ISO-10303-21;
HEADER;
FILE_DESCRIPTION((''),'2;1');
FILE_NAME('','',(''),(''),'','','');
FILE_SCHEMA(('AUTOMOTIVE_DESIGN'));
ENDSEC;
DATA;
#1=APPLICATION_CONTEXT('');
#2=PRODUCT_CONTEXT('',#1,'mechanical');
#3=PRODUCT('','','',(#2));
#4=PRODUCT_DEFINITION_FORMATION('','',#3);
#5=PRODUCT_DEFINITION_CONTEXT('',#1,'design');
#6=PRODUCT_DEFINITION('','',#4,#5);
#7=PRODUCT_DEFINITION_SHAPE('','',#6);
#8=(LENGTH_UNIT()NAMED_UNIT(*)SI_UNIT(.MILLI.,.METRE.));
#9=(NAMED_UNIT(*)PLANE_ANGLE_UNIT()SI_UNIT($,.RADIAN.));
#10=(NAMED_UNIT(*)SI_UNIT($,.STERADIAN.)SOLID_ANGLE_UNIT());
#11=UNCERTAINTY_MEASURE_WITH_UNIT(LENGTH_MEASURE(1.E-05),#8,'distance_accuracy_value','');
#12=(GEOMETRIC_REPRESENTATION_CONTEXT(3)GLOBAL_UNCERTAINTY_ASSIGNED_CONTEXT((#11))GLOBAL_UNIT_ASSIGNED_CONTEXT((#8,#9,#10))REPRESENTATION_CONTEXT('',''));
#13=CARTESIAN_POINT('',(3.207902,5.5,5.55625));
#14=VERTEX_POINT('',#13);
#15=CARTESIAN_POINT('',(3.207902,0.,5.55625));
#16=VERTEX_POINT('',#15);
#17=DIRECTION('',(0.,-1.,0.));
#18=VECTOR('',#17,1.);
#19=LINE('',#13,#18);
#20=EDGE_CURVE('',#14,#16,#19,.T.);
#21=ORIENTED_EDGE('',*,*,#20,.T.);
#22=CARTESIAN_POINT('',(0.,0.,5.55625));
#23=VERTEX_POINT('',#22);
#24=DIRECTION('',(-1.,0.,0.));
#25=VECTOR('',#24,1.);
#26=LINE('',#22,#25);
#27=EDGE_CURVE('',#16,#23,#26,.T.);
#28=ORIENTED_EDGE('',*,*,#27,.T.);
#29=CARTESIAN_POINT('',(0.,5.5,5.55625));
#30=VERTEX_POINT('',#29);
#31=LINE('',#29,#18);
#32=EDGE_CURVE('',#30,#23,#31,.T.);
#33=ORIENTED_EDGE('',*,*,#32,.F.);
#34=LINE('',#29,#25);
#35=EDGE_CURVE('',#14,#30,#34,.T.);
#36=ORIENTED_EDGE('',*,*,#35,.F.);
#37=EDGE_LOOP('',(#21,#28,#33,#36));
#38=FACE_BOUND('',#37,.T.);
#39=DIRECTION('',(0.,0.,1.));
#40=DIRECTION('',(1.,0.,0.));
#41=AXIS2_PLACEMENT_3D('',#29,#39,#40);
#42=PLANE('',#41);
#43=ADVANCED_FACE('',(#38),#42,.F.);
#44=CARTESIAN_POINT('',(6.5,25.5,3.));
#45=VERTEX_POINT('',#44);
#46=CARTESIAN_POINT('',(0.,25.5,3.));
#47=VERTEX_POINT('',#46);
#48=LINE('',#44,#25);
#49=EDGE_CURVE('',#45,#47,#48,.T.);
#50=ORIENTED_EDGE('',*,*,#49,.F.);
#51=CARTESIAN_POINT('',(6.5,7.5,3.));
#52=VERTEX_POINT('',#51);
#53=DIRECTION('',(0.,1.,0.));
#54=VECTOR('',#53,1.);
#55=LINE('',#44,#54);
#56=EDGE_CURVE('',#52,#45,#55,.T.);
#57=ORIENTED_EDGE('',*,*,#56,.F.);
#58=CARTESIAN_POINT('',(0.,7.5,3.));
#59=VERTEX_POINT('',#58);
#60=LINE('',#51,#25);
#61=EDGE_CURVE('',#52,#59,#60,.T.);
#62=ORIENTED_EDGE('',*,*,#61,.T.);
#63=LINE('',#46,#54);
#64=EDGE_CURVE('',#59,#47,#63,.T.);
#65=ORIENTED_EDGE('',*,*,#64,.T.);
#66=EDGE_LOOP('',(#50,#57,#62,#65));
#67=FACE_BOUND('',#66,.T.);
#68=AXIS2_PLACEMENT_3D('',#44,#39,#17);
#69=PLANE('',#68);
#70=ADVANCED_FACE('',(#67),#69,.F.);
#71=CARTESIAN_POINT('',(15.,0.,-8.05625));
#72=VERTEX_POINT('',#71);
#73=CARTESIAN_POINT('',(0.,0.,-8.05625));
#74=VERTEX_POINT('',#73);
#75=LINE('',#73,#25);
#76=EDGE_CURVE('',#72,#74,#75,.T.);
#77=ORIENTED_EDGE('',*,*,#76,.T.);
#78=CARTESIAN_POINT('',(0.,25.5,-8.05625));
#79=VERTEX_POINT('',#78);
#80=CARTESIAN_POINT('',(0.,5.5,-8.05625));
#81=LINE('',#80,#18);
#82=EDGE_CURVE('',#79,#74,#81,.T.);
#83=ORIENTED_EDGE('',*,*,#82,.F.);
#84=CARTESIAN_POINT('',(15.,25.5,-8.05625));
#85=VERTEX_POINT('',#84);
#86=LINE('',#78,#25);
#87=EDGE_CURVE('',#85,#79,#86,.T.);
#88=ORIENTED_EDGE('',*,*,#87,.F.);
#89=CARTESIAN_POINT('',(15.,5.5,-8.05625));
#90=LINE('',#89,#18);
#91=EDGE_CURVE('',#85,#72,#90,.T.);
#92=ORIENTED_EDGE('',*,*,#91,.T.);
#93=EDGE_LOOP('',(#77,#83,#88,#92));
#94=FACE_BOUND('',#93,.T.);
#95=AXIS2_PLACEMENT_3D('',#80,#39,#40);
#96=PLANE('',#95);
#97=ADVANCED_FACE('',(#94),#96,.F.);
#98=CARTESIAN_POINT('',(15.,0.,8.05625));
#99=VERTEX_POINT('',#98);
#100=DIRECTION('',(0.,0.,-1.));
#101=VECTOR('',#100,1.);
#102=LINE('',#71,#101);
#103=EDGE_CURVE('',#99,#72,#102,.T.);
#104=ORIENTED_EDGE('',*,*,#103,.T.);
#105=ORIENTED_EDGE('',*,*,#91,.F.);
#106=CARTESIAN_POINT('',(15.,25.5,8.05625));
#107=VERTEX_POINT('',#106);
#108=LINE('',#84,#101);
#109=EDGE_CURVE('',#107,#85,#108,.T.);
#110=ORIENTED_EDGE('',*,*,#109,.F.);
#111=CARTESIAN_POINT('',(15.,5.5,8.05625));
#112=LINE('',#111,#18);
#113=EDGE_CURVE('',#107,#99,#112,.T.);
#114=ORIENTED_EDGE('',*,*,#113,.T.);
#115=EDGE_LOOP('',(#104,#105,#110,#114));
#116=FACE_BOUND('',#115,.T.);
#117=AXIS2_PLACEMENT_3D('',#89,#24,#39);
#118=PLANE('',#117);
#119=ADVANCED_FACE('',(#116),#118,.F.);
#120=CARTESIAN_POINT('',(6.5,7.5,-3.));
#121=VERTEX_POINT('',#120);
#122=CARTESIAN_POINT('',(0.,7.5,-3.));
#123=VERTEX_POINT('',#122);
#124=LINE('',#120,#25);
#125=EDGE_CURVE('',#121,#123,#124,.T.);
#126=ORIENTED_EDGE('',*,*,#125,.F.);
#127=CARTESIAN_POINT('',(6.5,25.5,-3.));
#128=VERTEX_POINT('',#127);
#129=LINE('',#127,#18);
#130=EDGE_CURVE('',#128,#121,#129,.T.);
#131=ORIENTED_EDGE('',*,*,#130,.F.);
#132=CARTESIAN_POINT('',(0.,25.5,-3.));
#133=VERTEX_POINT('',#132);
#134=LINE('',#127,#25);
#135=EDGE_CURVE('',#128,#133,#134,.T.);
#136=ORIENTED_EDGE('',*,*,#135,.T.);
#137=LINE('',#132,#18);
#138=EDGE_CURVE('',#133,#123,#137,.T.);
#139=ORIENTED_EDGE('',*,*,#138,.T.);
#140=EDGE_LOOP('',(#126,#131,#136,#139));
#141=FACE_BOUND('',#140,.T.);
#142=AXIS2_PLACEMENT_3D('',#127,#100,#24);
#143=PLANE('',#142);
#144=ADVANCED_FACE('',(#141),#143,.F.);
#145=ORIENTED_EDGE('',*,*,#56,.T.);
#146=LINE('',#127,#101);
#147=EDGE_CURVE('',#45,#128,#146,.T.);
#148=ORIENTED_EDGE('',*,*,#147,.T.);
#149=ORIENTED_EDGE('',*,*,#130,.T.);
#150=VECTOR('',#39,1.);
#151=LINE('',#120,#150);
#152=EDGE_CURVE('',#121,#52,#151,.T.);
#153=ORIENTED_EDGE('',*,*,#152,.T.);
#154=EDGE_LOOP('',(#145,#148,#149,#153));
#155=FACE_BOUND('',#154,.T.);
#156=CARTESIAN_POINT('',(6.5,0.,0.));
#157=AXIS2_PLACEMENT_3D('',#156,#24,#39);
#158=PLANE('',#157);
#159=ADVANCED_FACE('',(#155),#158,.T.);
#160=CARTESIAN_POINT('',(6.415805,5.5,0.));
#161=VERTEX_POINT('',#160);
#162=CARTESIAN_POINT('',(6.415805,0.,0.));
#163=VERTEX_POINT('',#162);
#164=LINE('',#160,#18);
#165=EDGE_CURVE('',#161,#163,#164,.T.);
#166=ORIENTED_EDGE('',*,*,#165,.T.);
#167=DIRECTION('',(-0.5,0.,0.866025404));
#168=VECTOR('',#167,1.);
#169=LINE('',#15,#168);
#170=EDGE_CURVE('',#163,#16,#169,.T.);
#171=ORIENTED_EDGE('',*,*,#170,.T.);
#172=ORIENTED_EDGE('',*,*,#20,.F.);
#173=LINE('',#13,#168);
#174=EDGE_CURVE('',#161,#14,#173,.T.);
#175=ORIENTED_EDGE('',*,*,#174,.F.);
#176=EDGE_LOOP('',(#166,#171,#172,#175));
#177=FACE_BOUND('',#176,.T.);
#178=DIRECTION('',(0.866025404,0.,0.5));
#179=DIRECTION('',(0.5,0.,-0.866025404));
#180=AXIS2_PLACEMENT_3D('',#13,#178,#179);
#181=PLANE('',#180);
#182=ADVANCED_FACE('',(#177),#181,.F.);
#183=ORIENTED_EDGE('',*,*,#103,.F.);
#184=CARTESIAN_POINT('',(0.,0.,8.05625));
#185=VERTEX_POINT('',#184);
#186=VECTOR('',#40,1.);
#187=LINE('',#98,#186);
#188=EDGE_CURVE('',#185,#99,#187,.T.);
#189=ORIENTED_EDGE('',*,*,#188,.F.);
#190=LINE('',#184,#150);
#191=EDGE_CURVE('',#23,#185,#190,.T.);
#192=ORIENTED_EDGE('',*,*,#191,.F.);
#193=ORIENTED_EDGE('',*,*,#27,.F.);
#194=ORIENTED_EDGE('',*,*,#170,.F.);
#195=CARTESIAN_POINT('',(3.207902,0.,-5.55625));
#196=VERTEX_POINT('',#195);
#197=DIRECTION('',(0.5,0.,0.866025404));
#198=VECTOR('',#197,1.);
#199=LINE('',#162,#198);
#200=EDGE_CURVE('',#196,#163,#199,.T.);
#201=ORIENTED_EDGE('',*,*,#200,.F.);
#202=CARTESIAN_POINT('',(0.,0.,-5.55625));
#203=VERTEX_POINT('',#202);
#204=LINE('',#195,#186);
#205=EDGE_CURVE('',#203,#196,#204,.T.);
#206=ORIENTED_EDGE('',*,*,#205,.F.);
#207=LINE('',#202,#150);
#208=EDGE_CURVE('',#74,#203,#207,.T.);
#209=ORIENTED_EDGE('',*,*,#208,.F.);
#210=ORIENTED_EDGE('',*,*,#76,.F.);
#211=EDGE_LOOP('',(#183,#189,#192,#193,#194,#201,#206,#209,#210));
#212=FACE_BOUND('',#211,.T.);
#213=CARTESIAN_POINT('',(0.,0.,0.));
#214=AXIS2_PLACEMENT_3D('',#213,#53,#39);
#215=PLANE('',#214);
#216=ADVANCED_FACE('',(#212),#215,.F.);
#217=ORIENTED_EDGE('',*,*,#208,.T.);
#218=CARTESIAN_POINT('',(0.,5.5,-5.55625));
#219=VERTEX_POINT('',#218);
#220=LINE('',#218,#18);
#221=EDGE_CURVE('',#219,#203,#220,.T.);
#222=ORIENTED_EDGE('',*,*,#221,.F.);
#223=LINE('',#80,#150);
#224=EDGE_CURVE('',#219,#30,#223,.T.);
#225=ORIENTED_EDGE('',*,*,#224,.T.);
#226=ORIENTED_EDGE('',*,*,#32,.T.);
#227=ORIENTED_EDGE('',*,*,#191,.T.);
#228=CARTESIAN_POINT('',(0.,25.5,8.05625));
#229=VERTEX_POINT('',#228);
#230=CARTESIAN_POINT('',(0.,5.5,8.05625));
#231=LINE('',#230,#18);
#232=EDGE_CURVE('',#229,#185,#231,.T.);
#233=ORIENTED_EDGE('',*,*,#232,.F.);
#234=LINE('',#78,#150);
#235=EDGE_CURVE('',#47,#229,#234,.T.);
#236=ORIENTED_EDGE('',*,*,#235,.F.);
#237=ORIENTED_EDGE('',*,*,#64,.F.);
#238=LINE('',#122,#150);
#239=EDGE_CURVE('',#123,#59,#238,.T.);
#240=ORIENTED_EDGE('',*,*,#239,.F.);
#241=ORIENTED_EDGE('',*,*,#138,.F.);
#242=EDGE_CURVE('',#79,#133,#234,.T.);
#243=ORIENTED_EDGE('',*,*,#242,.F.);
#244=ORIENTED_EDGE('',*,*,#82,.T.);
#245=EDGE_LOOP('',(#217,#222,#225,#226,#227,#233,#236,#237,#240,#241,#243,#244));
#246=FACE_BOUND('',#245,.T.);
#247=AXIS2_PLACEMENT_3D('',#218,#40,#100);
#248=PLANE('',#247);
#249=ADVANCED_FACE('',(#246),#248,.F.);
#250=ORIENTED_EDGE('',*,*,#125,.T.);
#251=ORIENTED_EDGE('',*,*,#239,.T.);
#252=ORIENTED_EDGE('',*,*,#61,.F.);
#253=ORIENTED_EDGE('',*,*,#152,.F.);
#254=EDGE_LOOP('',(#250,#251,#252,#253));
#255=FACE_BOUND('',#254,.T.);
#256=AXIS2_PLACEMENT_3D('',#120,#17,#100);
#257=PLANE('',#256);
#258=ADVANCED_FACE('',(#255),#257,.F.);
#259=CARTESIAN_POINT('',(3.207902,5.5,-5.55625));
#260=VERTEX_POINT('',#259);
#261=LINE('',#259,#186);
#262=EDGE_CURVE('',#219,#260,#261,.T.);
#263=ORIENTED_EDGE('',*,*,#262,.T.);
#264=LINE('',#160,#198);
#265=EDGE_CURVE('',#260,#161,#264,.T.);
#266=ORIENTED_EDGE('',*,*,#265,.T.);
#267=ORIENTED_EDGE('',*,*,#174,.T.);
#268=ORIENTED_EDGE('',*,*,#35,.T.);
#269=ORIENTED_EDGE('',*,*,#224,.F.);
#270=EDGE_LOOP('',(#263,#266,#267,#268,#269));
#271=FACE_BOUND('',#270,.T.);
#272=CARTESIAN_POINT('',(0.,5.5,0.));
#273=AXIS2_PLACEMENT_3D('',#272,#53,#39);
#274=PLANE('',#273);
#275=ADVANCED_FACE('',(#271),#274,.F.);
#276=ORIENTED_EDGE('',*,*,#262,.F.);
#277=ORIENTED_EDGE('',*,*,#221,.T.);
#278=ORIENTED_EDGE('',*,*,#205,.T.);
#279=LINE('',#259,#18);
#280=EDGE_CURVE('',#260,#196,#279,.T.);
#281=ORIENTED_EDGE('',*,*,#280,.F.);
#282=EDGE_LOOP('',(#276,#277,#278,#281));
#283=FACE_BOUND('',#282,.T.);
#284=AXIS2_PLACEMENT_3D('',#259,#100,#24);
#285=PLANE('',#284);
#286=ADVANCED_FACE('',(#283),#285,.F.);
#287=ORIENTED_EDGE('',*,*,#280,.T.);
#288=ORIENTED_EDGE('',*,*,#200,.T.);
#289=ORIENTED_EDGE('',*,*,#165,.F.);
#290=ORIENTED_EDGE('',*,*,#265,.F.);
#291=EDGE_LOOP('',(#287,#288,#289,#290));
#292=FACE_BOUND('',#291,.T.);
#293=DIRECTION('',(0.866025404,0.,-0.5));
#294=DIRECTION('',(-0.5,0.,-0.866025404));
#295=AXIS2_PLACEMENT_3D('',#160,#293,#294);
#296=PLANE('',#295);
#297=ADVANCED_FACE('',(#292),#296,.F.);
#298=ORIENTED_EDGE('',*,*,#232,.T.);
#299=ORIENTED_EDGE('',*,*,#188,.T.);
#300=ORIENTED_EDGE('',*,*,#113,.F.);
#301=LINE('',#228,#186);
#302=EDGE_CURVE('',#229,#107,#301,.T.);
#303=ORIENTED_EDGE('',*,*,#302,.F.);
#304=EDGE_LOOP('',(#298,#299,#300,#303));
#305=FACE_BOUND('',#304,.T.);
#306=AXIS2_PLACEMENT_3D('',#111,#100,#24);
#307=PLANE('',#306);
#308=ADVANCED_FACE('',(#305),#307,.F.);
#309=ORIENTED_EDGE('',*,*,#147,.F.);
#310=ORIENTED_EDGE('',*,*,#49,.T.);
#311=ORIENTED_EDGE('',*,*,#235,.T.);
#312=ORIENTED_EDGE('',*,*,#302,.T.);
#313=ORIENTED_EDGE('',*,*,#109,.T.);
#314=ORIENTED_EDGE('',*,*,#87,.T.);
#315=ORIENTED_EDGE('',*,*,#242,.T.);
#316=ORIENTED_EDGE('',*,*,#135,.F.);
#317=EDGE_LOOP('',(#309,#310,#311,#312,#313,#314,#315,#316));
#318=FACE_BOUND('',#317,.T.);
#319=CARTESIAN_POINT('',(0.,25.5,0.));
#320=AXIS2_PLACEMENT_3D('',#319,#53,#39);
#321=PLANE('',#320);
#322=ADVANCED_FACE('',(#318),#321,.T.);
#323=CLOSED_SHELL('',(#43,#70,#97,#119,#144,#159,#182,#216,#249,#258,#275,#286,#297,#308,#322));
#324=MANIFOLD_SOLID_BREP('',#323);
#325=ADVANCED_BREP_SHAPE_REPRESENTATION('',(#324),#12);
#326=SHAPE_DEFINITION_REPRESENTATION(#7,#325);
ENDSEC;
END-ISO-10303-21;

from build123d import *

# Parameters (mm, degrees)
BOSS_EXTRUDE1_DEPTH = 5.5
SKETCH2_W           = 15
SKETCH2_H           = 16.1125
BOSS_EXTRUDE2_DEPTH = 20
SKETCH3_W           = 6
SKETCH3_H           = 18
CUT_EXTRUDE1_DEPTH  = 6.5


with BuildPart() as part:
    # Sketch1 → Boss-Extrude1 (new body)
    with BuildSketch(Plane(origin=(0, 0, 0), x_dir=(1, 0, 0), z_dir=(0, 1, 0))):
        Polygon((0, 5.55625), (0, 8.05625), (15, 8.05625), (15, -8.05625), (0, -8.05625), (0, -5.55625), (3.207902433, -5.55625), (6.415804866, 0), (3.207902433, 5.55625), align=None)
    extrude(amount=BOSS_EXTRUDE1_DEPTH)

    # Sketch2 → Boss-Extrude2 (add)
    with BuildSketch(Plane(origin=(0, 5.5, 0), x_dir=(1, 0, 0), z_dir=(0, 1, 0))):
        with Locations((7.5, 0)):
            Rectangle(SKETCH2_W, SKETCH2_H)
    extrude(amount=BOSS_EXTRUDE2_DEPTH)

    # Sketch3 → Cut-Extrude1 (cut)
    with BuildSketch(Plane.ZY):
        with Locations((0, 16.5)):
            Rectangle(SKETCH3_W, SKETCH3_H)
    extrude(amount=-CUT_EXTRUDE1_DEPTH, mode=Mode.SUBTRACT)


solid = part.part
